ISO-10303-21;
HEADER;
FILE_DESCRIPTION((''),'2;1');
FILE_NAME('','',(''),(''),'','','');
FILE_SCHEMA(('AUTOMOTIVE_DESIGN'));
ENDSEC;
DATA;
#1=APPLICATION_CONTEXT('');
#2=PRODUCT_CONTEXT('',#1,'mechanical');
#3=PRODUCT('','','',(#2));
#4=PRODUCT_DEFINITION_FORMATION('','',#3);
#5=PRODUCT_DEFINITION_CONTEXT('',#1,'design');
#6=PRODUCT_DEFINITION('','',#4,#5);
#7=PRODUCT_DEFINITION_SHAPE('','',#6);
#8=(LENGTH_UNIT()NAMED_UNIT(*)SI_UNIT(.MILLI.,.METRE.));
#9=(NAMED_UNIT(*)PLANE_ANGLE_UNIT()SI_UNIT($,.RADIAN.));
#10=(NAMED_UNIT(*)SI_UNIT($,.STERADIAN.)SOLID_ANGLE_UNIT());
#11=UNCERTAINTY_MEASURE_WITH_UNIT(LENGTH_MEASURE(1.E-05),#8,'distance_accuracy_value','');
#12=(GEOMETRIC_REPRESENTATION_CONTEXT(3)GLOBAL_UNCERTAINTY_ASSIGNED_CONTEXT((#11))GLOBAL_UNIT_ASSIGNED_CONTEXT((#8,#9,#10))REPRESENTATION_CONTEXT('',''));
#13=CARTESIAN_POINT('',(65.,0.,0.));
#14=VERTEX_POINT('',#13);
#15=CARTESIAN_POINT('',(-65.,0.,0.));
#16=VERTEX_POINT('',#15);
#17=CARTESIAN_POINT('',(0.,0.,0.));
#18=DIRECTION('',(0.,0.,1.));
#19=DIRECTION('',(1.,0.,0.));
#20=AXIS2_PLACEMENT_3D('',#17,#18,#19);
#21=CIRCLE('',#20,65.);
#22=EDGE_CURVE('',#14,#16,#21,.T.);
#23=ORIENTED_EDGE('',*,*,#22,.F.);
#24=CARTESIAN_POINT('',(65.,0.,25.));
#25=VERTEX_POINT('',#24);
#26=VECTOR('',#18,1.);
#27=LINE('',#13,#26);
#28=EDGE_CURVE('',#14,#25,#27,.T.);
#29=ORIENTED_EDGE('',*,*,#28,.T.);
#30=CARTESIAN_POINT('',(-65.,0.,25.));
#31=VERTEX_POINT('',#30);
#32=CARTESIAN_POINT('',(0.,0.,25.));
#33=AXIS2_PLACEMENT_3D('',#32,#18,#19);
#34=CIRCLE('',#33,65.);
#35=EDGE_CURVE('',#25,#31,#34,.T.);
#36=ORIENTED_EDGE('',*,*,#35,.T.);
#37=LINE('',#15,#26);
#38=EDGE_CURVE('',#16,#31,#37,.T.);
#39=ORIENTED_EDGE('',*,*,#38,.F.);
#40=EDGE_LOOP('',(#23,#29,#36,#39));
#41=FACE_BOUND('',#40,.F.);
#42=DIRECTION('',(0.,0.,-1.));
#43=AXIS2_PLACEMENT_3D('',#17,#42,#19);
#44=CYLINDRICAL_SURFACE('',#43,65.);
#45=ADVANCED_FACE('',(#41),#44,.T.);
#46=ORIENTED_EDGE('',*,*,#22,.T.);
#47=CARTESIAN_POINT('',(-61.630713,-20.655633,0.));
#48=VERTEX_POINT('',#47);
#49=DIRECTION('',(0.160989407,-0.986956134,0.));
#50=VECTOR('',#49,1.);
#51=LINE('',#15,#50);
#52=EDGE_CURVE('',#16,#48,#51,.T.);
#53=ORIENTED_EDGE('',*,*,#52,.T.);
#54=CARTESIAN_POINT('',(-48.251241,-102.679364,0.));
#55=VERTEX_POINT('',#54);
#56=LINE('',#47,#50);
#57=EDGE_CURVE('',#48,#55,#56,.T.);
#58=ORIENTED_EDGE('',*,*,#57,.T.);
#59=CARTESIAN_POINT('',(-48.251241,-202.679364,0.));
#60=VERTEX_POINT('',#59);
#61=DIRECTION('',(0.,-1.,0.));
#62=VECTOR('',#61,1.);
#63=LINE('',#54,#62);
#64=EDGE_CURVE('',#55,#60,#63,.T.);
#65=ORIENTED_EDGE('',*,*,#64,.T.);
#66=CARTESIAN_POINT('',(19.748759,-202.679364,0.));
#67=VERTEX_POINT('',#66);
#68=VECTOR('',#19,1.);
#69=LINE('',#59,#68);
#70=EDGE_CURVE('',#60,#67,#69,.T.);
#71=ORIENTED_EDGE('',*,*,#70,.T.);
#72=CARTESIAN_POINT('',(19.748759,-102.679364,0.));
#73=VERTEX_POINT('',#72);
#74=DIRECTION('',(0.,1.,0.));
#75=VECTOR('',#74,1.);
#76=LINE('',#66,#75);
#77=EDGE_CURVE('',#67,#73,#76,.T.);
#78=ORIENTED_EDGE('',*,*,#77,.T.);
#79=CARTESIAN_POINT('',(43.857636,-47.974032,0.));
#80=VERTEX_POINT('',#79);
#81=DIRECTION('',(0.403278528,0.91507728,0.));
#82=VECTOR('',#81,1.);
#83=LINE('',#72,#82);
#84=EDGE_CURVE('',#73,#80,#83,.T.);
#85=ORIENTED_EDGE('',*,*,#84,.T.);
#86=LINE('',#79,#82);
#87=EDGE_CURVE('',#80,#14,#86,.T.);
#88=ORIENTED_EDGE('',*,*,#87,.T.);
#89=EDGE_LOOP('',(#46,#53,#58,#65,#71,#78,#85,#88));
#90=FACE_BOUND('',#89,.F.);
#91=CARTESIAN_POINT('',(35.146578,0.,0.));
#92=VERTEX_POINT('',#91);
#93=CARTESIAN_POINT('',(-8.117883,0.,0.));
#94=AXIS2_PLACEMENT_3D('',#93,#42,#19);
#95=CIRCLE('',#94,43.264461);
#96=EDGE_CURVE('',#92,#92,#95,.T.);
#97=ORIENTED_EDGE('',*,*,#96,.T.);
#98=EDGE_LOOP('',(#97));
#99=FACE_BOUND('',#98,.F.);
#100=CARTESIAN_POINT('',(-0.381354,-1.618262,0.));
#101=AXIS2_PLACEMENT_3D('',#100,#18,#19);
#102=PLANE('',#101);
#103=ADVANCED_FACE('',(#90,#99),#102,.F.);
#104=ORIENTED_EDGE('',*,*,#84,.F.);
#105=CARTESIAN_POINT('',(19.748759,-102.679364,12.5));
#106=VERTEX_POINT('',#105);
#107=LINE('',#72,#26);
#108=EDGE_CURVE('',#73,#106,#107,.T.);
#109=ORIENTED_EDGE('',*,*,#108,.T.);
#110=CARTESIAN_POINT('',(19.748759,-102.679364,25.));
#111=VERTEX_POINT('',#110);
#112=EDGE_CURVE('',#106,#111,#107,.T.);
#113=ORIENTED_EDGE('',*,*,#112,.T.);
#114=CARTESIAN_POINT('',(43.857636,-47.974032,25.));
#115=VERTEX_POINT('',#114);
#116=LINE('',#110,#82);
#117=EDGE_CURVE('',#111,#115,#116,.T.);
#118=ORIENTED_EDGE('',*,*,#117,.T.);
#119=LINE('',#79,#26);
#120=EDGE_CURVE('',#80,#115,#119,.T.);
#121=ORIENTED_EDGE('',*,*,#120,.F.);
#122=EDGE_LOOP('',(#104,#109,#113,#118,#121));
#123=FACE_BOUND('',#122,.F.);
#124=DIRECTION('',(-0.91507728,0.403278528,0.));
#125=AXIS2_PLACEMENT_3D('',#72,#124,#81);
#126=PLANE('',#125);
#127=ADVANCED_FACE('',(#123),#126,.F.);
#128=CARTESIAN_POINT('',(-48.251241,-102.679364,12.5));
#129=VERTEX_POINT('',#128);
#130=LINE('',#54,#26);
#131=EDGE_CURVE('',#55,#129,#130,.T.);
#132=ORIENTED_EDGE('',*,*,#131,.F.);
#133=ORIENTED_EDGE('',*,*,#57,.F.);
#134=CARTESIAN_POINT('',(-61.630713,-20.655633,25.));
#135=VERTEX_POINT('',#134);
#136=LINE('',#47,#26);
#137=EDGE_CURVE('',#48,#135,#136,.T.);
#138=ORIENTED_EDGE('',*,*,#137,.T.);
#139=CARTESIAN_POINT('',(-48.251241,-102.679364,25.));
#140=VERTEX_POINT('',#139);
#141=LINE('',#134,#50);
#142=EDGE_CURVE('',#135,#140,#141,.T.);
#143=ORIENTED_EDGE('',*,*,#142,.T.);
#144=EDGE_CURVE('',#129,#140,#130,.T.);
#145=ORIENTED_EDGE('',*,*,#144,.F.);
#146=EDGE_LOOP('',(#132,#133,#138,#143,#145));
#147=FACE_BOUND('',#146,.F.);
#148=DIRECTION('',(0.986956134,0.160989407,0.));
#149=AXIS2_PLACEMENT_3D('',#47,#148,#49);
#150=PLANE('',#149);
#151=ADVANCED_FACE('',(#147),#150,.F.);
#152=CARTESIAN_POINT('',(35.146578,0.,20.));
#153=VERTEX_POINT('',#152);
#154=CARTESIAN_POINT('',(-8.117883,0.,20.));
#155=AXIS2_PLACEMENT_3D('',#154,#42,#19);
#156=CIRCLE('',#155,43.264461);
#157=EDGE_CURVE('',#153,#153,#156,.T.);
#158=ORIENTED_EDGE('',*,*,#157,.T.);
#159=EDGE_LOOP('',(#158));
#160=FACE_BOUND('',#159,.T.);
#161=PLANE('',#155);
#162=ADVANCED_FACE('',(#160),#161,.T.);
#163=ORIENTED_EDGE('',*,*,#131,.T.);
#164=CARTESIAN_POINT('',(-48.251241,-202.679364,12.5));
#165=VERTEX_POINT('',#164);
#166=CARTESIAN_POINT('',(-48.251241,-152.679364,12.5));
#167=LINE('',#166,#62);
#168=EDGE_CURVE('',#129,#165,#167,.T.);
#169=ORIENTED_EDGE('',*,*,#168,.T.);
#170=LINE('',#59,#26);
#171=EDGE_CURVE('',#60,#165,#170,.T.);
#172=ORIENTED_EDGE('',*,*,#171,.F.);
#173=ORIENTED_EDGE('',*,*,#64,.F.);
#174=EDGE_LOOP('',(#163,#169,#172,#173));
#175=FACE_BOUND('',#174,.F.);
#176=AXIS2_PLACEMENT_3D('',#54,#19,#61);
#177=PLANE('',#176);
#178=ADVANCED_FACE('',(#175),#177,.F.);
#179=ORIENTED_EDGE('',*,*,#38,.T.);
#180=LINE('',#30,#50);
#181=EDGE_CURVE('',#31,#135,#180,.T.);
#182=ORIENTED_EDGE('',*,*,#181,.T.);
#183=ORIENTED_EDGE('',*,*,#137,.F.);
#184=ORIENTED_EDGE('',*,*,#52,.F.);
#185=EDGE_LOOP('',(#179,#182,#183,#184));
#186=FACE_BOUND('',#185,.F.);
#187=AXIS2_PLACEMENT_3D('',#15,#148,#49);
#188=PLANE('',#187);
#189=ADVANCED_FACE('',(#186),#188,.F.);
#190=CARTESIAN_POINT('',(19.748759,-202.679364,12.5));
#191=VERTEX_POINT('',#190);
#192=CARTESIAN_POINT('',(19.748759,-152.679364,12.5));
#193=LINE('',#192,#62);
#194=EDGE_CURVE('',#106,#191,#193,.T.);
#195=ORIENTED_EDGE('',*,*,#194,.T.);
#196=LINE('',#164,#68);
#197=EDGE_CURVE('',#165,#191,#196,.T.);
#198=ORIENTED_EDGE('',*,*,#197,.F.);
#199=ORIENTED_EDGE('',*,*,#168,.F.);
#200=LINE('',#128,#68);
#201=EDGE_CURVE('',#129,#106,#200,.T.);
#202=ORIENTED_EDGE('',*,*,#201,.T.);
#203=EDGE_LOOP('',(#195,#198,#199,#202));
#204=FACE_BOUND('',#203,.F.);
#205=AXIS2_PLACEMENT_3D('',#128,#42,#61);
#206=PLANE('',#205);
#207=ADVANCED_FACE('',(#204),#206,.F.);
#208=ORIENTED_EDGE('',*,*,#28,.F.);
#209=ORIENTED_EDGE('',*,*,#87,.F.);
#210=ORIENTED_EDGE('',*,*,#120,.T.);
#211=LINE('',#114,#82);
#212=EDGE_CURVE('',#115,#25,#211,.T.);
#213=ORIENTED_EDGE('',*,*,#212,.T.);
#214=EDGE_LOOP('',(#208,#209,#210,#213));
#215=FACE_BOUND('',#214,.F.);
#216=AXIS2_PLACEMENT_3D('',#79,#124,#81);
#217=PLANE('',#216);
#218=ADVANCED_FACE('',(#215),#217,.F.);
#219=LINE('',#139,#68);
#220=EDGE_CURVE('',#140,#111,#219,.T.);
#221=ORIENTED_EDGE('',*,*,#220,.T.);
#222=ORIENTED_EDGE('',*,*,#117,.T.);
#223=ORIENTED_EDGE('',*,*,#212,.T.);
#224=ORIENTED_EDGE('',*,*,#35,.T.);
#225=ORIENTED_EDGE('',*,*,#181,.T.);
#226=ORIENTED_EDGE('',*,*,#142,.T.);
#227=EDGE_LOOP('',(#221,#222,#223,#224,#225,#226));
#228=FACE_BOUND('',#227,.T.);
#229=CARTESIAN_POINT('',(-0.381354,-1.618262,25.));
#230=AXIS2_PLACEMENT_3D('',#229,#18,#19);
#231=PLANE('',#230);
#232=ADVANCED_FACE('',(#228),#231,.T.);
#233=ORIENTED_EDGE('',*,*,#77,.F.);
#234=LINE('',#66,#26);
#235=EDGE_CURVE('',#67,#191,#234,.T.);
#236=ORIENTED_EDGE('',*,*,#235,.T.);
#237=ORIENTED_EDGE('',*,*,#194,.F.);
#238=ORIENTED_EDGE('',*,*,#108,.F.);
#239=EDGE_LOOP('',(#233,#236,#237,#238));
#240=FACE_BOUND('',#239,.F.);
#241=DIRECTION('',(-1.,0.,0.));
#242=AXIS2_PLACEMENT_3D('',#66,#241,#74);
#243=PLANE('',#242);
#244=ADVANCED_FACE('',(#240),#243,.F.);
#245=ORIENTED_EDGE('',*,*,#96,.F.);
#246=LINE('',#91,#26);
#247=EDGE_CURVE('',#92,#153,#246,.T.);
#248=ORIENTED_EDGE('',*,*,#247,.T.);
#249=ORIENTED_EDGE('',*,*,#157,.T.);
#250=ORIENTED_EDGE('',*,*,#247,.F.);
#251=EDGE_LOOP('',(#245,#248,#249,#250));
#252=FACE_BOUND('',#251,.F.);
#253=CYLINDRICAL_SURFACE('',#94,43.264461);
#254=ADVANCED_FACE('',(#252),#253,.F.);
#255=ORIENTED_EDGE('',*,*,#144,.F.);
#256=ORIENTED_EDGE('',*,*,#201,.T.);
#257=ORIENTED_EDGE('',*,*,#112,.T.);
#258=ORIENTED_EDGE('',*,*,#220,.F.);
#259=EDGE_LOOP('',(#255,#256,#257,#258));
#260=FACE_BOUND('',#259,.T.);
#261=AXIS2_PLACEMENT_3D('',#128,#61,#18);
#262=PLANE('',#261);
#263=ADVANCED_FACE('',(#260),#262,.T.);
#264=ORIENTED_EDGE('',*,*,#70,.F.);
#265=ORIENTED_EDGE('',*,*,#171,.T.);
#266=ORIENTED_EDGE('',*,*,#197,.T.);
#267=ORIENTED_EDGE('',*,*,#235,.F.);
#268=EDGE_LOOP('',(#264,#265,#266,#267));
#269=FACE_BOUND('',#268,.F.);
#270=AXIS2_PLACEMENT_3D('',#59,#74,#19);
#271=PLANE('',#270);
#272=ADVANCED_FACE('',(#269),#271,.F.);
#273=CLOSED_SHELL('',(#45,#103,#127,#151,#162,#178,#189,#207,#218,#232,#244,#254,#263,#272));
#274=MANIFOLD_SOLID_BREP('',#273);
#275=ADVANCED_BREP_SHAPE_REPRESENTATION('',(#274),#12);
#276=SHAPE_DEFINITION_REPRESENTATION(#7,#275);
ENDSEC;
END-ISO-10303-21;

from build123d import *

# Parameters (mm, degrees)
F1_DEPTH = 25
F2_R     = 43.2644605555
F3_DEPTH = 20
F4_W     = 100
F4_H     = 12.5
F5_DEPTH = 113.2522414455


with BuildPart() as f1:
    # F0 (on Top) → F1 (new body)
    with BuildSketch(Plane.XY):
        with BuildLine():
            Line((43.8576357287, -47.9740324372), (65, 0))
            ThreePointArc((65, 0), (0, 65), (-65, 0))
            Line((-65, 0), (-61.6307134035, -20.655632776))
            ThreePointArc((-61.6307134035, -20.655632776), (-16.2955304461, -62.9242058947), (43.8576357287, -47.9740324372))
        make_face()
        with BuildLine():
            Line((19.7487585545, -102.6793643832), (43.8576357287, -47.9740324372))
            ThreePointArc((43.8576357287, -47.9740324372), (-16.2955304461, -62.9242058947), (-61.6307134035, -20.655632776))
            Line((-61.6307134035, -20.655632776), (-48.2512414455, -102.6793643832))
            Line((-48.2512414455, -102.6793643832), (-48.2512414455, -202.6793643832))
            Line((-48.2512414455, -202.6793643832), (19.7487585545, -202.6793643832))
            Line((19.7487585545, -202.6793643832), (19.7487585545, -102.6793643832))
        make_face()
    extrude(amount=F1_DEPTH)

    # F2 (on face) → F3 (cut)
    with BuildSketch(Plane(origin=(0, 0, 0), x_dir=(1, 0, 0), z_dir=(0, 0, -1))):
        with Locations((-8.1178825349, 0)):
            Circle(F2_R)
    extrude(amount=-F3_DEPTH, mode=Mode.SUBTRACT)

    # F4 (on face) → F5 (cut, through all)
    with BuildSketch(Plane(origin=(-48.2512414455, 0, 0), x_dir=(0, -1, 0), z_dir=(-1, 0, 0))):
        with Locations((152.6793643832, 18.75)):
            Rectangle(F4_W, F4_H)
    extrude(amount=-F5_DEPTH, mode=Mode.SUBTRACT)


solid = f1.part
